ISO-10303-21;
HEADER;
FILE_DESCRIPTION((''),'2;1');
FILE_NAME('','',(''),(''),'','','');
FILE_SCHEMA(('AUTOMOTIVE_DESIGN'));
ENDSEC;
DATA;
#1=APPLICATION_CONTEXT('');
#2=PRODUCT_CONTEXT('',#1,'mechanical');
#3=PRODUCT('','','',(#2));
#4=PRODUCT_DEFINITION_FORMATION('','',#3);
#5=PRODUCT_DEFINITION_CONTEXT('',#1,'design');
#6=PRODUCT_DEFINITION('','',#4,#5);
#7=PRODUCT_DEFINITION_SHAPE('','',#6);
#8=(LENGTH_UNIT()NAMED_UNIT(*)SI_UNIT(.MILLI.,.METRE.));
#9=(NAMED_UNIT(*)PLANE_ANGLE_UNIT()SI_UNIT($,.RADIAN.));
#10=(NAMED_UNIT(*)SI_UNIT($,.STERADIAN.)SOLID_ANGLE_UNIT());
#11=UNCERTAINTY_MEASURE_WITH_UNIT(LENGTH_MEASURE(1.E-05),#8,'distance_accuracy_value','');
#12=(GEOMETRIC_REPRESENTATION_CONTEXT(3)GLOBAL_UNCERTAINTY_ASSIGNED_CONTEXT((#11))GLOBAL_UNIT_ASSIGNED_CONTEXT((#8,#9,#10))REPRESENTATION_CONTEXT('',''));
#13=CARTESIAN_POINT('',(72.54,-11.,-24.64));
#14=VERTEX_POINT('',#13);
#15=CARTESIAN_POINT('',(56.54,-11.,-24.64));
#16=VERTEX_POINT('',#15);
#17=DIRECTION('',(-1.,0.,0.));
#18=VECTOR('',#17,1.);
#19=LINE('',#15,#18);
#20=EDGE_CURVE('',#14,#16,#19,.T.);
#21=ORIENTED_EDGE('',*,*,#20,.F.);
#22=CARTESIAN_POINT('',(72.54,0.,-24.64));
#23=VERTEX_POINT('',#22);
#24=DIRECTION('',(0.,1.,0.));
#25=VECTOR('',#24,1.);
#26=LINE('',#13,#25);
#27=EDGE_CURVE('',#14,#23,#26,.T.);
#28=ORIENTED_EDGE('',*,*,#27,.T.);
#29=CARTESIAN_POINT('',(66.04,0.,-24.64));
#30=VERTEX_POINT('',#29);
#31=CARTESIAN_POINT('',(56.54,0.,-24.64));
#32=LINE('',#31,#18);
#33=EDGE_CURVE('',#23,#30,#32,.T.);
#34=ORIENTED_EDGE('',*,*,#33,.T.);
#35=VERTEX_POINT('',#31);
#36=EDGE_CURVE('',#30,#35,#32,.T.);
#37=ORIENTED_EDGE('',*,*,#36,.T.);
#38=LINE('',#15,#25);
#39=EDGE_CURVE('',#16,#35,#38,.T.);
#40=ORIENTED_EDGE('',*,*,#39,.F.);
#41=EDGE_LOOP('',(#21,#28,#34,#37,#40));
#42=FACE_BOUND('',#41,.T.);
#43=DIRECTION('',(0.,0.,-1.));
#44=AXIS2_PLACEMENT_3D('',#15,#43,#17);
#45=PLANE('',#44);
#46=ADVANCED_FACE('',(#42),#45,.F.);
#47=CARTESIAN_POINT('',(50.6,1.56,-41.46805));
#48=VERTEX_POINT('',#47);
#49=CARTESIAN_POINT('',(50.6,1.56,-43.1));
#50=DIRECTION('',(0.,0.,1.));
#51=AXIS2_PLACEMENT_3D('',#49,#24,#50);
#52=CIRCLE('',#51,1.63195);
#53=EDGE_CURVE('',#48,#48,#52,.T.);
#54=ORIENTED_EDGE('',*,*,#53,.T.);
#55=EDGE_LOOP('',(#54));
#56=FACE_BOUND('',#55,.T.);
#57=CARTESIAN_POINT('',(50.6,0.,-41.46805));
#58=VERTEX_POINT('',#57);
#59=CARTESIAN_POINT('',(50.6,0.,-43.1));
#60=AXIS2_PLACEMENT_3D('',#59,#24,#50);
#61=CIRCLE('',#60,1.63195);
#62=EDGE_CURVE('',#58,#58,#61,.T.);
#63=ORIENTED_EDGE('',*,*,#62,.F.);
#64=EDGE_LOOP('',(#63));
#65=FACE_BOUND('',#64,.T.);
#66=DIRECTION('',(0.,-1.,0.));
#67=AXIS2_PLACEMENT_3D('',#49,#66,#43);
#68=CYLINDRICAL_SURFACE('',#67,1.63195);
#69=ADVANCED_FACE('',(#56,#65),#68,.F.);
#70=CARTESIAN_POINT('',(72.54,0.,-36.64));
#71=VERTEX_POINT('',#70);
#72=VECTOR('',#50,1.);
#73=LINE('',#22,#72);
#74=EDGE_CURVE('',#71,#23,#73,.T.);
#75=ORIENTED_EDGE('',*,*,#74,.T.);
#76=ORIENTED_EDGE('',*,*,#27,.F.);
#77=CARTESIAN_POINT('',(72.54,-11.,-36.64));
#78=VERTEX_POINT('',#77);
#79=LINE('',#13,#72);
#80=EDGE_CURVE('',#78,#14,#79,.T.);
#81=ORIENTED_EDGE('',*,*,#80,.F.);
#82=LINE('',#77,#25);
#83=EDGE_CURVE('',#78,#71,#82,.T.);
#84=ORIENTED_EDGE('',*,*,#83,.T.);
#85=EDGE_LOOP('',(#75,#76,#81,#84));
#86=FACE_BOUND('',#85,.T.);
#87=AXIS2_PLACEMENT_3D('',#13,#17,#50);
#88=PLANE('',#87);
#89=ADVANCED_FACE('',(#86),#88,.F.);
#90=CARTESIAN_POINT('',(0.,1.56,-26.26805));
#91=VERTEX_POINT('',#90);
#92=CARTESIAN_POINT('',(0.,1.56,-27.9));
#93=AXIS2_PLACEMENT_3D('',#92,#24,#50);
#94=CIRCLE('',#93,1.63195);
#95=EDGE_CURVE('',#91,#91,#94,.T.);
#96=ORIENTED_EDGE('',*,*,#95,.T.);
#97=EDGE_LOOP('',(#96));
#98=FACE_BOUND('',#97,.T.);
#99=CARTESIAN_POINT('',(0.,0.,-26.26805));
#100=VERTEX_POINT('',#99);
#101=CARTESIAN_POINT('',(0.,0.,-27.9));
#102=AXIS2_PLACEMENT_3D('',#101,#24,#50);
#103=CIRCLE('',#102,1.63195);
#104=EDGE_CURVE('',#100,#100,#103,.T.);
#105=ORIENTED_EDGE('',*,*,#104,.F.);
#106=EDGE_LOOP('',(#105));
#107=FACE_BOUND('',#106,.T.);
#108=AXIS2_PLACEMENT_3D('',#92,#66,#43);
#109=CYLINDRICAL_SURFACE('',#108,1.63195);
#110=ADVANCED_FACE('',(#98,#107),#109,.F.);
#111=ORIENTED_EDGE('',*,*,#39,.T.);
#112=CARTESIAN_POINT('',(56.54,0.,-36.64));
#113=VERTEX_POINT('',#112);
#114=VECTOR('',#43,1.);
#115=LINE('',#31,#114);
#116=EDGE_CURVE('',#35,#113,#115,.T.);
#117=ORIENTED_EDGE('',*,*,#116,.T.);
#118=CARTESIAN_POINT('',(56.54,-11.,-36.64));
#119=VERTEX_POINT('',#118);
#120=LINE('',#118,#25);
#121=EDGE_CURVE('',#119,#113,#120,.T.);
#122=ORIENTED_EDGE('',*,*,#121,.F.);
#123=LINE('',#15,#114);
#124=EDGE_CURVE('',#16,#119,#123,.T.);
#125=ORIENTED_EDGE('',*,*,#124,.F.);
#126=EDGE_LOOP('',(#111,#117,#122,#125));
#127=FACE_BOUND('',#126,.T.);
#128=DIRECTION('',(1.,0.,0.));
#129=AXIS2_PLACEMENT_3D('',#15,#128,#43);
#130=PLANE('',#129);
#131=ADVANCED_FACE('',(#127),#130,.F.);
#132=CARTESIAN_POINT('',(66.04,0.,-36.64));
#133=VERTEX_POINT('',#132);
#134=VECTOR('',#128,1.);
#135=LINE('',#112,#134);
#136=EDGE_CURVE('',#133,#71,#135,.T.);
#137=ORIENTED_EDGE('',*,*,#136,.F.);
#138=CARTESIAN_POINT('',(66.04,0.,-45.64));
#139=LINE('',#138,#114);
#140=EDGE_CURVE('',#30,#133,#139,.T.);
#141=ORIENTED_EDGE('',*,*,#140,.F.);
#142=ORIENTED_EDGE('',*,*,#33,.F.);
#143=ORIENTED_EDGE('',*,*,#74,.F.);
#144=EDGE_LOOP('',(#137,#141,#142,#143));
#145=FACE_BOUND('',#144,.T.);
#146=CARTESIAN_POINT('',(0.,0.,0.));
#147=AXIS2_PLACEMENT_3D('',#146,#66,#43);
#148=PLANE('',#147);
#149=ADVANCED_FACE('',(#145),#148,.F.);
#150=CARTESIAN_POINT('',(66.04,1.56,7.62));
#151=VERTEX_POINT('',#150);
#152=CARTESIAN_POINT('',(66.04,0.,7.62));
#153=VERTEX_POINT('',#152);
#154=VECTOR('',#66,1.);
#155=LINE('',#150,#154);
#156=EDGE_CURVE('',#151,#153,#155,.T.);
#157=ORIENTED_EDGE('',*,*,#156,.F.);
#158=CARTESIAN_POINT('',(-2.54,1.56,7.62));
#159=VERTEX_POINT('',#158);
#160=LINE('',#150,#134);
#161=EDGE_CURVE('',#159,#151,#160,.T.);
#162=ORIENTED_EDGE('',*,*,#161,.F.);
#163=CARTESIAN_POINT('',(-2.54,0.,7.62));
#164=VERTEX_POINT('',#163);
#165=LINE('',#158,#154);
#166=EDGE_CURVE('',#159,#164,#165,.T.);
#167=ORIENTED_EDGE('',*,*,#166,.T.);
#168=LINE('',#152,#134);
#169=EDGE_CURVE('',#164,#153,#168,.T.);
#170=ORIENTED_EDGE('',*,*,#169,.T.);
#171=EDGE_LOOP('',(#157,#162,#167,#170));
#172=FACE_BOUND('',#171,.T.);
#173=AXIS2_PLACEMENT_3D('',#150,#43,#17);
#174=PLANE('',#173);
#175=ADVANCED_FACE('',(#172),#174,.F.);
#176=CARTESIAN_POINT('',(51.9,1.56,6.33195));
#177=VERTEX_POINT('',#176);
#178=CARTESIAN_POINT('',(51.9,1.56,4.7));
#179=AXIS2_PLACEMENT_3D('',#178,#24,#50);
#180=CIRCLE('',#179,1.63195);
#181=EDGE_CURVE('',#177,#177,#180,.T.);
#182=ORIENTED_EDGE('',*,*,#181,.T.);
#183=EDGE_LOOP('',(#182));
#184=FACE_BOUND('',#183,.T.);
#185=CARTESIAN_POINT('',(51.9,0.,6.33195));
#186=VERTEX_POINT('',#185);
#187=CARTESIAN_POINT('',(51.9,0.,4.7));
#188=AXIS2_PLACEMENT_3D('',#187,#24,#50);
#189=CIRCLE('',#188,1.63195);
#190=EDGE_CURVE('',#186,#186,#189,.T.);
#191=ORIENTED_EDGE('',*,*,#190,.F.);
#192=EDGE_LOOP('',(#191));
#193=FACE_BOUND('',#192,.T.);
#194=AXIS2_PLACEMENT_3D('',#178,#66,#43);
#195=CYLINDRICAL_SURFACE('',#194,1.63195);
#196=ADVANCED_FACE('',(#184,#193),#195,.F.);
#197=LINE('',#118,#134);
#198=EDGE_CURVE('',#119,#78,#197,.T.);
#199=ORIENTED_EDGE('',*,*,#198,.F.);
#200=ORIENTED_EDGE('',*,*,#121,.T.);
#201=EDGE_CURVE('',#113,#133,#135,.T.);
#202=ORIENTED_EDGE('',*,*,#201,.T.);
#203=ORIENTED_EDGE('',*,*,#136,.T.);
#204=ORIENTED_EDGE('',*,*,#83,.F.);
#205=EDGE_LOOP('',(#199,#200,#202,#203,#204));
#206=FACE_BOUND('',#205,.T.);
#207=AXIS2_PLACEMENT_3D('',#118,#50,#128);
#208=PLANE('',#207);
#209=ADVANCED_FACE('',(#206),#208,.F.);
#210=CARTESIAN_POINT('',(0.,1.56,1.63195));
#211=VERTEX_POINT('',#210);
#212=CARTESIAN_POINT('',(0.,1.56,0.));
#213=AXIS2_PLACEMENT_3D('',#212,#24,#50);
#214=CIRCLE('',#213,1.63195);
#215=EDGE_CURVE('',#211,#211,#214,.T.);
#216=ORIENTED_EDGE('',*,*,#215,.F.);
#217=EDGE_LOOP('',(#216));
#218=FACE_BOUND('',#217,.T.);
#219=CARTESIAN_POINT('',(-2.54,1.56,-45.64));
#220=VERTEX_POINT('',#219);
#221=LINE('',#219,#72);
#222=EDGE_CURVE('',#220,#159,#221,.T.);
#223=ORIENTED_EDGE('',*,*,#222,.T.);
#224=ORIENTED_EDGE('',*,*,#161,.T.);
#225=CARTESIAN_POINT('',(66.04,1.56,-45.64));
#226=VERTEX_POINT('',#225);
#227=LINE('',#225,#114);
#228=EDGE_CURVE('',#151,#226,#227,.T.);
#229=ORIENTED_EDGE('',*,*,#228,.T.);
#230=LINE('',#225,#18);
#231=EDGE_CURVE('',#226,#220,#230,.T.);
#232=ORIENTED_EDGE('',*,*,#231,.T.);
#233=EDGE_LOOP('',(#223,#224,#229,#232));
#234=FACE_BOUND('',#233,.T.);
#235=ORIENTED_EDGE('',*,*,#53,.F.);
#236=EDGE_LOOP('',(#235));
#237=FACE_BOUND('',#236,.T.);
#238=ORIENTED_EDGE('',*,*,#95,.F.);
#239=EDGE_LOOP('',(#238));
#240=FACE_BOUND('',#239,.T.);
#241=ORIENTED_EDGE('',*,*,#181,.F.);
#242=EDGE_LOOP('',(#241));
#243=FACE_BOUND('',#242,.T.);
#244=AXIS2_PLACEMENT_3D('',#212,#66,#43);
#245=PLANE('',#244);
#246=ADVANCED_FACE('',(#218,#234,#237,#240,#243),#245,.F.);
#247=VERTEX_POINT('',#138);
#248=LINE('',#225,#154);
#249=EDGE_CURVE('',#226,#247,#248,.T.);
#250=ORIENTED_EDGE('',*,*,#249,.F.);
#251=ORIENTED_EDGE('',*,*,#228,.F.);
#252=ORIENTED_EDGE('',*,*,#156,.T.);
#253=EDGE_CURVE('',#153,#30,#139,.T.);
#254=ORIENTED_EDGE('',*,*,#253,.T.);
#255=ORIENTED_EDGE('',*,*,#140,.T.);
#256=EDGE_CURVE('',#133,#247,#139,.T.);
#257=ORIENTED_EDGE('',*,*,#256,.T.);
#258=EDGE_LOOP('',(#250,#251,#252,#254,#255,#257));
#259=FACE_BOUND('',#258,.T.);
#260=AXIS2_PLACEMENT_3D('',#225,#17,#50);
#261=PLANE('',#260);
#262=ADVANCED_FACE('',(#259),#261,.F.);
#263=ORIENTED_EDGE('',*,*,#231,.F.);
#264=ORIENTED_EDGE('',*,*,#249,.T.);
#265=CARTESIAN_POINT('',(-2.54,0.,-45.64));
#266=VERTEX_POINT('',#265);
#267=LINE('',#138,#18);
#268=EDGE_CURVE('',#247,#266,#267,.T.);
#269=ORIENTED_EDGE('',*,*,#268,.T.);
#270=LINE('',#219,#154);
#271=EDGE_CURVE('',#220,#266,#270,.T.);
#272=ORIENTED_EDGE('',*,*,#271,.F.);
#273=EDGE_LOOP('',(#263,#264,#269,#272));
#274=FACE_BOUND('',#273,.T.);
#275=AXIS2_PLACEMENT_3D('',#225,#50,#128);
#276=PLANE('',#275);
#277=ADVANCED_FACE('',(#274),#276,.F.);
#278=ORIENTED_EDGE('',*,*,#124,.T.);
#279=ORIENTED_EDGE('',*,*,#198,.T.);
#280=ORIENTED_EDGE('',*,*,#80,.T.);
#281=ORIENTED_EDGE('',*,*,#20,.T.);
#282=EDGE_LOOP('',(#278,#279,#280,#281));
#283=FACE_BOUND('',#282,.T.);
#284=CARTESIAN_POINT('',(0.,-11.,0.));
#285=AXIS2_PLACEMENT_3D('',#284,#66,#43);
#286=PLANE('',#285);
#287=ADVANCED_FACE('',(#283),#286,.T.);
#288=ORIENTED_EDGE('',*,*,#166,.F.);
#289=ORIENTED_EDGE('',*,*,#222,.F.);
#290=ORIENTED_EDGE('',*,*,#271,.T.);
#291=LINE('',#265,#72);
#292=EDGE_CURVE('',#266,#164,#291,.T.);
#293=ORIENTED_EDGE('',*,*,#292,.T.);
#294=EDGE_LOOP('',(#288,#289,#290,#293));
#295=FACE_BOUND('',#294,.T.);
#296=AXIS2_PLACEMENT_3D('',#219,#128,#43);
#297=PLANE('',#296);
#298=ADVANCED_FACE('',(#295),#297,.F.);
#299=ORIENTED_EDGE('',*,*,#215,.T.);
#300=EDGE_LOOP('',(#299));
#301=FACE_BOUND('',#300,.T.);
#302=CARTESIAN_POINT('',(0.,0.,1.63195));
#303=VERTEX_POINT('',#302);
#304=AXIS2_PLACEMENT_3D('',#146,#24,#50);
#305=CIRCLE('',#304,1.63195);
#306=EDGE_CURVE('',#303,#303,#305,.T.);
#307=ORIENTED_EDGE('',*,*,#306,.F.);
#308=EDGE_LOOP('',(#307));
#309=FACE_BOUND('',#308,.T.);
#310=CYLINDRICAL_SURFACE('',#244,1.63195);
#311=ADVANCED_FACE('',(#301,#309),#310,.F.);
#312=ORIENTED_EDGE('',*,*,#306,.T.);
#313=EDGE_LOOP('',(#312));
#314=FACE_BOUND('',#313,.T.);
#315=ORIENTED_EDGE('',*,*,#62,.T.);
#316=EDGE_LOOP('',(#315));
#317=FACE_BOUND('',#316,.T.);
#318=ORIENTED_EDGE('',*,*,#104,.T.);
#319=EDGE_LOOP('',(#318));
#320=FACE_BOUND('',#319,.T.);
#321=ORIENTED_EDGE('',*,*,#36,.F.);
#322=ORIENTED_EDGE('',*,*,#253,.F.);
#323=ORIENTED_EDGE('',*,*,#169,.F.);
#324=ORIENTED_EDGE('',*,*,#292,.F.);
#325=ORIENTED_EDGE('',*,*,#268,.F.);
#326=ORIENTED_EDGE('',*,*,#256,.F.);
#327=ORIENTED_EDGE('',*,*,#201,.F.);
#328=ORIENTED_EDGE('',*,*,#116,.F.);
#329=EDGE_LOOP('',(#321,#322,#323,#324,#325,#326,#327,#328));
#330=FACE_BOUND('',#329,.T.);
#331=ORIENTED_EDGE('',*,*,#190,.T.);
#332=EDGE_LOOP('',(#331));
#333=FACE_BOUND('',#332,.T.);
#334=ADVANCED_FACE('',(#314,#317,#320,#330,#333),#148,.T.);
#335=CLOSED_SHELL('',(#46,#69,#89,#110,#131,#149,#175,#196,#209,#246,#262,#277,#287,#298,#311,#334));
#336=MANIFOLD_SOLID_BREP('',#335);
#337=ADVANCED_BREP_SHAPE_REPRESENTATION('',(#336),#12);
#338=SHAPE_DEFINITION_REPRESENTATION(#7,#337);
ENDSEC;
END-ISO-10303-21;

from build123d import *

# Parameters (mm, degrees)
SKETCH1_W           = 68.58
SKETCH1_H           = 53.26
SKETCH1_R           = 1.63195
BOSS_EXTRUDE1_DEPTH = 1.56
SKETCH2_W           = 16
SKETCH2_H           = 12
BOSS_EXTRUDE2_DEPTH = 11


with BuildPart() as part:
    # Sketch1 → Boss-Extrude1 (new body)
    with BuildSketch(Plane(origin=(0, 0, 0), x_dir=(1, 0, 0), z_dir=(0, 1, 0))):
        with Locations((31.75, 19.01)):
            Rectangle(SKETCH1_W, SKETCH1_H)
        Circle(SKETCH1_R, mode=Mode.SUBTRACT)
        with Locations((0, 27.9)):
            Circle(SKETCH1_R, mode=Mode.SUBTRACT)
        with Locations((51.9, -4.7)):
            Circle(SKETCH1_R, mode=Mode.SUBTRACT)
        with Locations((50.6, 43.1)):
            Circle(SKETCH1_R, mode=Mode.SUBTRACT)
    extrude(amount=BOSS_EXTRUDE1_DEPTH)

    # Sketch2 → Boss-Extrude2 (add)
    with BuildSketch(Plane(origin=(0, 0, 0), x_dir=(-1, 0, 0), z_dir=(0, -1, 0))):
        with Locations((-64.54, 30.64)):
            Rectangle(SKETCH2_W, SKETCH2_H)
    extrude(amount=BOSS_EXTRUDE2_DEPTH)


solid = part.part
